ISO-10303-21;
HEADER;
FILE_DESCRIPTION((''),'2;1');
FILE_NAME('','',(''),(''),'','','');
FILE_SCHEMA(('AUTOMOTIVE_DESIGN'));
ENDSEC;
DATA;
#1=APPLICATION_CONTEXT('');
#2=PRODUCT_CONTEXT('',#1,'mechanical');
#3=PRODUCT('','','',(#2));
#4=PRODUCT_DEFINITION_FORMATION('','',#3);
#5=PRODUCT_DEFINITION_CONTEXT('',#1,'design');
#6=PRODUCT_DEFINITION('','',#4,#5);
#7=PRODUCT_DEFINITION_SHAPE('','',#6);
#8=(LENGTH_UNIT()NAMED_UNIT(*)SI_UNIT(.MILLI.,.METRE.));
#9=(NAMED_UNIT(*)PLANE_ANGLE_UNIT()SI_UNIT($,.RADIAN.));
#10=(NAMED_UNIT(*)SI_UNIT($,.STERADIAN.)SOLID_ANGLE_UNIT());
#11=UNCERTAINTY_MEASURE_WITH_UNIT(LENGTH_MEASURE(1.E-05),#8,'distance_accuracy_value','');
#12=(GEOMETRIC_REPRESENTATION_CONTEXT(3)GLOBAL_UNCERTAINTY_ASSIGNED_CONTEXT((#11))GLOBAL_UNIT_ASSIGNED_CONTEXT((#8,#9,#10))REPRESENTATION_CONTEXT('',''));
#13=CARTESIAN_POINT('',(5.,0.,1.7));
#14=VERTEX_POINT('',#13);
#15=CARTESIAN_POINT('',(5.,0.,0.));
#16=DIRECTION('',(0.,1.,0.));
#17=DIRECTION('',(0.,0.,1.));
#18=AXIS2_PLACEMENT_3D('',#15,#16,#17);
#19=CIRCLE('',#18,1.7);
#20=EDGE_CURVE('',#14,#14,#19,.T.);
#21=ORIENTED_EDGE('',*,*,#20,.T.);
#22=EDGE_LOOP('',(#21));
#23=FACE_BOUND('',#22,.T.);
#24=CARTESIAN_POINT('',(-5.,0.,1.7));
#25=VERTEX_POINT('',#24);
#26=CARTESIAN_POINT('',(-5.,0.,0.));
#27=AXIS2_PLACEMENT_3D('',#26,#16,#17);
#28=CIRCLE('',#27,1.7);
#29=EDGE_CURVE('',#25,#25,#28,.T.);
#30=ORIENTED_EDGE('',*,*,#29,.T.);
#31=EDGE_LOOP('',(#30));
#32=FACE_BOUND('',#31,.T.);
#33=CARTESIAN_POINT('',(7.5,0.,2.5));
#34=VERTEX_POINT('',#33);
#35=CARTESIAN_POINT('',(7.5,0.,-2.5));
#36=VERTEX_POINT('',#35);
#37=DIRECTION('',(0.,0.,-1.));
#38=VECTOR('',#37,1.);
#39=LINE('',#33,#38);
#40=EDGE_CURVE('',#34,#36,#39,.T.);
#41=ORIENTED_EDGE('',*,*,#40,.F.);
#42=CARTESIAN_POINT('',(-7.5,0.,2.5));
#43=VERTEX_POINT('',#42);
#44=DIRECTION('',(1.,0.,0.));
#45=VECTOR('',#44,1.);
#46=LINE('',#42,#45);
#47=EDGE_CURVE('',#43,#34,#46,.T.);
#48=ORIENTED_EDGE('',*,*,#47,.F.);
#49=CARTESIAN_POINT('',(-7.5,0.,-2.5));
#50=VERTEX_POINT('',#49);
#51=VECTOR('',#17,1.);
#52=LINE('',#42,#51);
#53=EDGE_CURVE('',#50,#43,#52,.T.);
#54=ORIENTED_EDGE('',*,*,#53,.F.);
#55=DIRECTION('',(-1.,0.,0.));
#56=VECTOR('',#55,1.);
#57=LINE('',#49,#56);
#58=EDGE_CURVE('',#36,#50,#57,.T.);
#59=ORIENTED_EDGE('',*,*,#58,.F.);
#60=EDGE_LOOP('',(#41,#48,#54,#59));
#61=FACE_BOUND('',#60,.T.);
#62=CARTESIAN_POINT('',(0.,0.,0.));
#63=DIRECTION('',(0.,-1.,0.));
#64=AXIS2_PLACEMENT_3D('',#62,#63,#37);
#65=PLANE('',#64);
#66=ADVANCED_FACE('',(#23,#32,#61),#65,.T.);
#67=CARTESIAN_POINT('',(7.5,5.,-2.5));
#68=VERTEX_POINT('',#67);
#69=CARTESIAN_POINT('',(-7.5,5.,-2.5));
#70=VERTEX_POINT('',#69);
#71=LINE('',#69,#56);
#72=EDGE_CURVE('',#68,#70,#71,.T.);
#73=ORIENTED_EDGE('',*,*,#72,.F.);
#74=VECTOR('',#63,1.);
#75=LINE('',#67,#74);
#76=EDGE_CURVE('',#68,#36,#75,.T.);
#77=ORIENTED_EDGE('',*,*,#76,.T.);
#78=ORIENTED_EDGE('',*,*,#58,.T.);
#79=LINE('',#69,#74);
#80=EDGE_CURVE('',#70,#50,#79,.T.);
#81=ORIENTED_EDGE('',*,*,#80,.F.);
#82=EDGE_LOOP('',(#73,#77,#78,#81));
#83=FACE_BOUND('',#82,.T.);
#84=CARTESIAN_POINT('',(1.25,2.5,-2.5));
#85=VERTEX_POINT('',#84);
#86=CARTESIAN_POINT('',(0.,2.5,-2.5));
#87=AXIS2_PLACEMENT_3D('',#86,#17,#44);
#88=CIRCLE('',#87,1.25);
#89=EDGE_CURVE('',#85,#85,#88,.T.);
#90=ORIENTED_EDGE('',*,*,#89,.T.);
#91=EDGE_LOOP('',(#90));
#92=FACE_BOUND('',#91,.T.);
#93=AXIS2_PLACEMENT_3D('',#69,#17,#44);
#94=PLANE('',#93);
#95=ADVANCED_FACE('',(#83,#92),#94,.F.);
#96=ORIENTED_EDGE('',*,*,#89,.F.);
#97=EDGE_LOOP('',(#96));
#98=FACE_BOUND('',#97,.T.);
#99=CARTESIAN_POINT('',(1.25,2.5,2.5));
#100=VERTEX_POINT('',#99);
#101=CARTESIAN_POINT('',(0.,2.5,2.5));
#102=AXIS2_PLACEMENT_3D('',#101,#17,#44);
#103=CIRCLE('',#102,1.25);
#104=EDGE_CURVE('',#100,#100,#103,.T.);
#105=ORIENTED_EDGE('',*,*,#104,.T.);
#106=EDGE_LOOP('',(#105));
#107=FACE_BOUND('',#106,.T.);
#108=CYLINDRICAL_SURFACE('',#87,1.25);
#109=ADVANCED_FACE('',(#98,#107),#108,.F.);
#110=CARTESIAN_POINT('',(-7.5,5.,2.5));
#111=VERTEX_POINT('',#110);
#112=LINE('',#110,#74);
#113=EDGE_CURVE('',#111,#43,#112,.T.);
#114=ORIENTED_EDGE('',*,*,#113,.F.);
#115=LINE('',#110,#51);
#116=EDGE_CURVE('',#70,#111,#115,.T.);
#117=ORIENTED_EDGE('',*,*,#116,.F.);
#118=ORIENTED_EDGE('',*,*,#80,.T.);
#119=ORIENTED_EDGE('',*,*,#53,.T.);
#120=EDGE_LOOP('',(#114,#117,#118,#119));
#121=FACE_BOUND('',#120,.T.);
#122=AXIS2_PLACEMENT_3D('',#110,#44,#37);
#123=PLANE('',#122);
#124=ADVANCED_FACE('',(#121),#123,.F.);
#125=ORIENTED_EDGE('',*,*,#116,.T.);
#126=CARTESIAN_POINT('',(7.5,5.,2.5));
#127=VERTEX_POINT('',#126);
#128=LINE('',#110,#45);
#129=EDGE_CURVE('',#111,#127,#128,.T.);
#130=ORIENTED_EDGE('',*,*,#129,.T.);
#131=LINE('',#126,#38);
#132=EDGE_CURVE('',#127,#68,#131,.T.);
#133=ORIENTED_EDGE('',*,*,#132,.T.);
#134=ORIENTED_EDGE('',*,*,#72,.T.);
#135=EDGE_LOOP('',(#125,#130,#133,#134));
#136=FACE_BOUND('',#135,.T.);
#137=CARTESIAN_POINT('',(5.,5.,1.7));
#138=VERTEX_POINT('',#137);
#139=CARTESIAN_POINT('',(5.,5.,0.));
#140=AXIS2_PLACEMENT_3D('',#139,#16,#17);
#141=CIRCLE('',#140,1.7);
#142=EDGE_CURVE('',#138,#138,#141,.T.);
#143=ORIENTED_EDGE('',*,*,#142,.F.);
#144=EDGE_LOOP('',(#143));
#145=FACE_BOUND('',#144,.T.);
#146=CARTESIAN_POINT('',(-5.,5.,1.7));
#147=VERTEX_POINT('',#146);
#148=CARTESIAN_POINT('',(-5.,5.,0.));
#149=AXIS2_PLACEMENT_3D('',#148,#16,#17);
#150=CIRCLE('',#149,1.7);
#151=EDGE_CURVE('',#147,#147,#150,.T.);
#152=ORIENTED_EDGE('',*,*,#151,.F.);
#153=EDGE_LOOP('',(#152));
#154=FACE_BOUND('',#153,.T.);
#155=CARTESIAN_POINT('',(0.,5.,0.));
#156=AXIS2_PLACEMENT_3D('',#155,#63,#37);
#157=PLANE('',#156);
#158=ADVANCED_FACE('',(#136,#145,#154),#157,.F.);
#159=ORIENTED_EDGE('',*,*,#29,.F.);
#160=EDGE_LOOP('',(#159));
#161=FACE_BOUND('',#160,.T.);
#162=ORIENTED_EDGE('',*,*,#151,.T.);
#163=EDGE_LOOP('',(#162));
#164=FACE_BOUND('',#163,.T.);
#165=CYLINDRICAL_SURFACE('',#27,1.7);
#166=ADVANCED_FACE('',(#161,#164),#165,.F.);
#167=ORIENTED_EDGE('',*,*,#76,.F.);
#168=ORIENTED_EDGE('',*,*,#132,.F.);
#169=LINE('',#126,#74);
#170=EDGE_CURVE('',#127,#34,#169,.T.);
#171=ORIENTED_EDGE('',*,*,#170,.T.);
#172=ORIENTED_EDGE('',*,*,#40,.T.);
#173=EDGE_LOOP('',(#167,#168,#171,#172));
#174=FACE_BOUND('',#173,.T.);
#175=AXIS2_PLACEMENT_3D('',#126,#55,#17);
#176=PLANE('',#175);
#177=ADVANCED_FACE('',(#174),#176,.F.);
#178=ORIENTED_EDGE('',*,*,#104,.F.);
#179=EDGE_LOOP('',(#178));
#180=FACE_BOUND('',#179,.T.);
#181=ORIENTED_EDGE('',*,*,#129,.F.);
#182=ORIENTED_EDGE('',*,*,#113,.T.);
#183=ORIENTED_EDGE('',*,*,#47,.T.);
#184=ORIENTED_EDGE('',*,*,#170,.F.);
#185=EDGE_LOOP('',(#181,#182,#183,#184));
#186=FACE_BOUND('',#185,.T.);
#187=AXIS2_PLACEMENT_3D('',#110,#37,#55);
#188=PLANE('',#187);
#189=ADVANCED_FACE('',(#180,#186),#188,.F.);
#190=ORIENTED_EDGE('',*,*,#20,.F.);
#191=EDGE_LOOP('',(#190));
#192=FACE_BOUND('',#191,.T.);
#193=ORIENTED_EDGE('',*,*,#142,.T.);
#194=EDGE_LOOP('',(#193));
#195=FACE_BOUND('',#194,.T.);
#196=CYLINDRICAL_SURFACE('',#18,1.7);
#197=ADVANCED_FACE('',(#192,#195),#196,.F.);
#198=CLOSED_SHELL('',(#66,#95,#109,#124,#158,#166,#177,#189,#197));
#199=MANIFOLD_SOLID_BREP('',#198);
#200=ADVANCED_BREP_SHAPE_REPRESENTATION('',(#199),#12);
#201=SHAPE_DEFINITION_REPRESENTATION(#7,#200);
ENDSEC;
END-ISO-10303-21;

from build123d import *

# Parameters (mm, degrees)
CROQUIS1_W              = 15
CROQUIS1_H              = 5
SALIENTE_EXTRUIR1_DEPTH = 5
CROQUIS2_R              = 1.7
CORTAR_EXTRUIR1_DEPTH   = 6
CROQUIS3_R              = 1.25
CORTAR_EXTRUIR2_DEPTH   = 6


with BuildPart() as part:
    # Croquis1 → Saliente-Extruir1 (new body)
    with BuildSketch(Plane(origin=(0, 0, 0), x_dir=(1, 0, 0), z_dir=(0, 1, 0))):
        Rectangle(CROQUIS1_W, CROQUIS1_H)
    extrude(amount=SALIENTE_EXTRUIR1_DEPTH)

    # Croquis2 → Cortar-Extruir1 (cut, through all)
    with BuildSketch(Plane(origin=(0, 5, 0), x_dir=(1, 0, 0), z_dir=(0, 1, 0))):
        with Locations((-5, 0)):
            Circle(CROQUIS2_R)
        with Locations((5, 0)):
            Circle(CROQUIS2_R)
    extrude(amount=-CORTAR_EXTRUIR1_DEPTH, mode=Mode.SUBTRACT)

    # Croquis3 → Cortar-Extruir2 (cut, through all)
    with BuildSketch(Plane.XY.offset(2.5)):
        with Locations((0, 2.5)):
            Circle(CROQUIS3_R)
    extrude(amount=-CORTAR_EXTRUIR2_DEPTH, mode=Mode.SUBTRACT)


solid = part.part
